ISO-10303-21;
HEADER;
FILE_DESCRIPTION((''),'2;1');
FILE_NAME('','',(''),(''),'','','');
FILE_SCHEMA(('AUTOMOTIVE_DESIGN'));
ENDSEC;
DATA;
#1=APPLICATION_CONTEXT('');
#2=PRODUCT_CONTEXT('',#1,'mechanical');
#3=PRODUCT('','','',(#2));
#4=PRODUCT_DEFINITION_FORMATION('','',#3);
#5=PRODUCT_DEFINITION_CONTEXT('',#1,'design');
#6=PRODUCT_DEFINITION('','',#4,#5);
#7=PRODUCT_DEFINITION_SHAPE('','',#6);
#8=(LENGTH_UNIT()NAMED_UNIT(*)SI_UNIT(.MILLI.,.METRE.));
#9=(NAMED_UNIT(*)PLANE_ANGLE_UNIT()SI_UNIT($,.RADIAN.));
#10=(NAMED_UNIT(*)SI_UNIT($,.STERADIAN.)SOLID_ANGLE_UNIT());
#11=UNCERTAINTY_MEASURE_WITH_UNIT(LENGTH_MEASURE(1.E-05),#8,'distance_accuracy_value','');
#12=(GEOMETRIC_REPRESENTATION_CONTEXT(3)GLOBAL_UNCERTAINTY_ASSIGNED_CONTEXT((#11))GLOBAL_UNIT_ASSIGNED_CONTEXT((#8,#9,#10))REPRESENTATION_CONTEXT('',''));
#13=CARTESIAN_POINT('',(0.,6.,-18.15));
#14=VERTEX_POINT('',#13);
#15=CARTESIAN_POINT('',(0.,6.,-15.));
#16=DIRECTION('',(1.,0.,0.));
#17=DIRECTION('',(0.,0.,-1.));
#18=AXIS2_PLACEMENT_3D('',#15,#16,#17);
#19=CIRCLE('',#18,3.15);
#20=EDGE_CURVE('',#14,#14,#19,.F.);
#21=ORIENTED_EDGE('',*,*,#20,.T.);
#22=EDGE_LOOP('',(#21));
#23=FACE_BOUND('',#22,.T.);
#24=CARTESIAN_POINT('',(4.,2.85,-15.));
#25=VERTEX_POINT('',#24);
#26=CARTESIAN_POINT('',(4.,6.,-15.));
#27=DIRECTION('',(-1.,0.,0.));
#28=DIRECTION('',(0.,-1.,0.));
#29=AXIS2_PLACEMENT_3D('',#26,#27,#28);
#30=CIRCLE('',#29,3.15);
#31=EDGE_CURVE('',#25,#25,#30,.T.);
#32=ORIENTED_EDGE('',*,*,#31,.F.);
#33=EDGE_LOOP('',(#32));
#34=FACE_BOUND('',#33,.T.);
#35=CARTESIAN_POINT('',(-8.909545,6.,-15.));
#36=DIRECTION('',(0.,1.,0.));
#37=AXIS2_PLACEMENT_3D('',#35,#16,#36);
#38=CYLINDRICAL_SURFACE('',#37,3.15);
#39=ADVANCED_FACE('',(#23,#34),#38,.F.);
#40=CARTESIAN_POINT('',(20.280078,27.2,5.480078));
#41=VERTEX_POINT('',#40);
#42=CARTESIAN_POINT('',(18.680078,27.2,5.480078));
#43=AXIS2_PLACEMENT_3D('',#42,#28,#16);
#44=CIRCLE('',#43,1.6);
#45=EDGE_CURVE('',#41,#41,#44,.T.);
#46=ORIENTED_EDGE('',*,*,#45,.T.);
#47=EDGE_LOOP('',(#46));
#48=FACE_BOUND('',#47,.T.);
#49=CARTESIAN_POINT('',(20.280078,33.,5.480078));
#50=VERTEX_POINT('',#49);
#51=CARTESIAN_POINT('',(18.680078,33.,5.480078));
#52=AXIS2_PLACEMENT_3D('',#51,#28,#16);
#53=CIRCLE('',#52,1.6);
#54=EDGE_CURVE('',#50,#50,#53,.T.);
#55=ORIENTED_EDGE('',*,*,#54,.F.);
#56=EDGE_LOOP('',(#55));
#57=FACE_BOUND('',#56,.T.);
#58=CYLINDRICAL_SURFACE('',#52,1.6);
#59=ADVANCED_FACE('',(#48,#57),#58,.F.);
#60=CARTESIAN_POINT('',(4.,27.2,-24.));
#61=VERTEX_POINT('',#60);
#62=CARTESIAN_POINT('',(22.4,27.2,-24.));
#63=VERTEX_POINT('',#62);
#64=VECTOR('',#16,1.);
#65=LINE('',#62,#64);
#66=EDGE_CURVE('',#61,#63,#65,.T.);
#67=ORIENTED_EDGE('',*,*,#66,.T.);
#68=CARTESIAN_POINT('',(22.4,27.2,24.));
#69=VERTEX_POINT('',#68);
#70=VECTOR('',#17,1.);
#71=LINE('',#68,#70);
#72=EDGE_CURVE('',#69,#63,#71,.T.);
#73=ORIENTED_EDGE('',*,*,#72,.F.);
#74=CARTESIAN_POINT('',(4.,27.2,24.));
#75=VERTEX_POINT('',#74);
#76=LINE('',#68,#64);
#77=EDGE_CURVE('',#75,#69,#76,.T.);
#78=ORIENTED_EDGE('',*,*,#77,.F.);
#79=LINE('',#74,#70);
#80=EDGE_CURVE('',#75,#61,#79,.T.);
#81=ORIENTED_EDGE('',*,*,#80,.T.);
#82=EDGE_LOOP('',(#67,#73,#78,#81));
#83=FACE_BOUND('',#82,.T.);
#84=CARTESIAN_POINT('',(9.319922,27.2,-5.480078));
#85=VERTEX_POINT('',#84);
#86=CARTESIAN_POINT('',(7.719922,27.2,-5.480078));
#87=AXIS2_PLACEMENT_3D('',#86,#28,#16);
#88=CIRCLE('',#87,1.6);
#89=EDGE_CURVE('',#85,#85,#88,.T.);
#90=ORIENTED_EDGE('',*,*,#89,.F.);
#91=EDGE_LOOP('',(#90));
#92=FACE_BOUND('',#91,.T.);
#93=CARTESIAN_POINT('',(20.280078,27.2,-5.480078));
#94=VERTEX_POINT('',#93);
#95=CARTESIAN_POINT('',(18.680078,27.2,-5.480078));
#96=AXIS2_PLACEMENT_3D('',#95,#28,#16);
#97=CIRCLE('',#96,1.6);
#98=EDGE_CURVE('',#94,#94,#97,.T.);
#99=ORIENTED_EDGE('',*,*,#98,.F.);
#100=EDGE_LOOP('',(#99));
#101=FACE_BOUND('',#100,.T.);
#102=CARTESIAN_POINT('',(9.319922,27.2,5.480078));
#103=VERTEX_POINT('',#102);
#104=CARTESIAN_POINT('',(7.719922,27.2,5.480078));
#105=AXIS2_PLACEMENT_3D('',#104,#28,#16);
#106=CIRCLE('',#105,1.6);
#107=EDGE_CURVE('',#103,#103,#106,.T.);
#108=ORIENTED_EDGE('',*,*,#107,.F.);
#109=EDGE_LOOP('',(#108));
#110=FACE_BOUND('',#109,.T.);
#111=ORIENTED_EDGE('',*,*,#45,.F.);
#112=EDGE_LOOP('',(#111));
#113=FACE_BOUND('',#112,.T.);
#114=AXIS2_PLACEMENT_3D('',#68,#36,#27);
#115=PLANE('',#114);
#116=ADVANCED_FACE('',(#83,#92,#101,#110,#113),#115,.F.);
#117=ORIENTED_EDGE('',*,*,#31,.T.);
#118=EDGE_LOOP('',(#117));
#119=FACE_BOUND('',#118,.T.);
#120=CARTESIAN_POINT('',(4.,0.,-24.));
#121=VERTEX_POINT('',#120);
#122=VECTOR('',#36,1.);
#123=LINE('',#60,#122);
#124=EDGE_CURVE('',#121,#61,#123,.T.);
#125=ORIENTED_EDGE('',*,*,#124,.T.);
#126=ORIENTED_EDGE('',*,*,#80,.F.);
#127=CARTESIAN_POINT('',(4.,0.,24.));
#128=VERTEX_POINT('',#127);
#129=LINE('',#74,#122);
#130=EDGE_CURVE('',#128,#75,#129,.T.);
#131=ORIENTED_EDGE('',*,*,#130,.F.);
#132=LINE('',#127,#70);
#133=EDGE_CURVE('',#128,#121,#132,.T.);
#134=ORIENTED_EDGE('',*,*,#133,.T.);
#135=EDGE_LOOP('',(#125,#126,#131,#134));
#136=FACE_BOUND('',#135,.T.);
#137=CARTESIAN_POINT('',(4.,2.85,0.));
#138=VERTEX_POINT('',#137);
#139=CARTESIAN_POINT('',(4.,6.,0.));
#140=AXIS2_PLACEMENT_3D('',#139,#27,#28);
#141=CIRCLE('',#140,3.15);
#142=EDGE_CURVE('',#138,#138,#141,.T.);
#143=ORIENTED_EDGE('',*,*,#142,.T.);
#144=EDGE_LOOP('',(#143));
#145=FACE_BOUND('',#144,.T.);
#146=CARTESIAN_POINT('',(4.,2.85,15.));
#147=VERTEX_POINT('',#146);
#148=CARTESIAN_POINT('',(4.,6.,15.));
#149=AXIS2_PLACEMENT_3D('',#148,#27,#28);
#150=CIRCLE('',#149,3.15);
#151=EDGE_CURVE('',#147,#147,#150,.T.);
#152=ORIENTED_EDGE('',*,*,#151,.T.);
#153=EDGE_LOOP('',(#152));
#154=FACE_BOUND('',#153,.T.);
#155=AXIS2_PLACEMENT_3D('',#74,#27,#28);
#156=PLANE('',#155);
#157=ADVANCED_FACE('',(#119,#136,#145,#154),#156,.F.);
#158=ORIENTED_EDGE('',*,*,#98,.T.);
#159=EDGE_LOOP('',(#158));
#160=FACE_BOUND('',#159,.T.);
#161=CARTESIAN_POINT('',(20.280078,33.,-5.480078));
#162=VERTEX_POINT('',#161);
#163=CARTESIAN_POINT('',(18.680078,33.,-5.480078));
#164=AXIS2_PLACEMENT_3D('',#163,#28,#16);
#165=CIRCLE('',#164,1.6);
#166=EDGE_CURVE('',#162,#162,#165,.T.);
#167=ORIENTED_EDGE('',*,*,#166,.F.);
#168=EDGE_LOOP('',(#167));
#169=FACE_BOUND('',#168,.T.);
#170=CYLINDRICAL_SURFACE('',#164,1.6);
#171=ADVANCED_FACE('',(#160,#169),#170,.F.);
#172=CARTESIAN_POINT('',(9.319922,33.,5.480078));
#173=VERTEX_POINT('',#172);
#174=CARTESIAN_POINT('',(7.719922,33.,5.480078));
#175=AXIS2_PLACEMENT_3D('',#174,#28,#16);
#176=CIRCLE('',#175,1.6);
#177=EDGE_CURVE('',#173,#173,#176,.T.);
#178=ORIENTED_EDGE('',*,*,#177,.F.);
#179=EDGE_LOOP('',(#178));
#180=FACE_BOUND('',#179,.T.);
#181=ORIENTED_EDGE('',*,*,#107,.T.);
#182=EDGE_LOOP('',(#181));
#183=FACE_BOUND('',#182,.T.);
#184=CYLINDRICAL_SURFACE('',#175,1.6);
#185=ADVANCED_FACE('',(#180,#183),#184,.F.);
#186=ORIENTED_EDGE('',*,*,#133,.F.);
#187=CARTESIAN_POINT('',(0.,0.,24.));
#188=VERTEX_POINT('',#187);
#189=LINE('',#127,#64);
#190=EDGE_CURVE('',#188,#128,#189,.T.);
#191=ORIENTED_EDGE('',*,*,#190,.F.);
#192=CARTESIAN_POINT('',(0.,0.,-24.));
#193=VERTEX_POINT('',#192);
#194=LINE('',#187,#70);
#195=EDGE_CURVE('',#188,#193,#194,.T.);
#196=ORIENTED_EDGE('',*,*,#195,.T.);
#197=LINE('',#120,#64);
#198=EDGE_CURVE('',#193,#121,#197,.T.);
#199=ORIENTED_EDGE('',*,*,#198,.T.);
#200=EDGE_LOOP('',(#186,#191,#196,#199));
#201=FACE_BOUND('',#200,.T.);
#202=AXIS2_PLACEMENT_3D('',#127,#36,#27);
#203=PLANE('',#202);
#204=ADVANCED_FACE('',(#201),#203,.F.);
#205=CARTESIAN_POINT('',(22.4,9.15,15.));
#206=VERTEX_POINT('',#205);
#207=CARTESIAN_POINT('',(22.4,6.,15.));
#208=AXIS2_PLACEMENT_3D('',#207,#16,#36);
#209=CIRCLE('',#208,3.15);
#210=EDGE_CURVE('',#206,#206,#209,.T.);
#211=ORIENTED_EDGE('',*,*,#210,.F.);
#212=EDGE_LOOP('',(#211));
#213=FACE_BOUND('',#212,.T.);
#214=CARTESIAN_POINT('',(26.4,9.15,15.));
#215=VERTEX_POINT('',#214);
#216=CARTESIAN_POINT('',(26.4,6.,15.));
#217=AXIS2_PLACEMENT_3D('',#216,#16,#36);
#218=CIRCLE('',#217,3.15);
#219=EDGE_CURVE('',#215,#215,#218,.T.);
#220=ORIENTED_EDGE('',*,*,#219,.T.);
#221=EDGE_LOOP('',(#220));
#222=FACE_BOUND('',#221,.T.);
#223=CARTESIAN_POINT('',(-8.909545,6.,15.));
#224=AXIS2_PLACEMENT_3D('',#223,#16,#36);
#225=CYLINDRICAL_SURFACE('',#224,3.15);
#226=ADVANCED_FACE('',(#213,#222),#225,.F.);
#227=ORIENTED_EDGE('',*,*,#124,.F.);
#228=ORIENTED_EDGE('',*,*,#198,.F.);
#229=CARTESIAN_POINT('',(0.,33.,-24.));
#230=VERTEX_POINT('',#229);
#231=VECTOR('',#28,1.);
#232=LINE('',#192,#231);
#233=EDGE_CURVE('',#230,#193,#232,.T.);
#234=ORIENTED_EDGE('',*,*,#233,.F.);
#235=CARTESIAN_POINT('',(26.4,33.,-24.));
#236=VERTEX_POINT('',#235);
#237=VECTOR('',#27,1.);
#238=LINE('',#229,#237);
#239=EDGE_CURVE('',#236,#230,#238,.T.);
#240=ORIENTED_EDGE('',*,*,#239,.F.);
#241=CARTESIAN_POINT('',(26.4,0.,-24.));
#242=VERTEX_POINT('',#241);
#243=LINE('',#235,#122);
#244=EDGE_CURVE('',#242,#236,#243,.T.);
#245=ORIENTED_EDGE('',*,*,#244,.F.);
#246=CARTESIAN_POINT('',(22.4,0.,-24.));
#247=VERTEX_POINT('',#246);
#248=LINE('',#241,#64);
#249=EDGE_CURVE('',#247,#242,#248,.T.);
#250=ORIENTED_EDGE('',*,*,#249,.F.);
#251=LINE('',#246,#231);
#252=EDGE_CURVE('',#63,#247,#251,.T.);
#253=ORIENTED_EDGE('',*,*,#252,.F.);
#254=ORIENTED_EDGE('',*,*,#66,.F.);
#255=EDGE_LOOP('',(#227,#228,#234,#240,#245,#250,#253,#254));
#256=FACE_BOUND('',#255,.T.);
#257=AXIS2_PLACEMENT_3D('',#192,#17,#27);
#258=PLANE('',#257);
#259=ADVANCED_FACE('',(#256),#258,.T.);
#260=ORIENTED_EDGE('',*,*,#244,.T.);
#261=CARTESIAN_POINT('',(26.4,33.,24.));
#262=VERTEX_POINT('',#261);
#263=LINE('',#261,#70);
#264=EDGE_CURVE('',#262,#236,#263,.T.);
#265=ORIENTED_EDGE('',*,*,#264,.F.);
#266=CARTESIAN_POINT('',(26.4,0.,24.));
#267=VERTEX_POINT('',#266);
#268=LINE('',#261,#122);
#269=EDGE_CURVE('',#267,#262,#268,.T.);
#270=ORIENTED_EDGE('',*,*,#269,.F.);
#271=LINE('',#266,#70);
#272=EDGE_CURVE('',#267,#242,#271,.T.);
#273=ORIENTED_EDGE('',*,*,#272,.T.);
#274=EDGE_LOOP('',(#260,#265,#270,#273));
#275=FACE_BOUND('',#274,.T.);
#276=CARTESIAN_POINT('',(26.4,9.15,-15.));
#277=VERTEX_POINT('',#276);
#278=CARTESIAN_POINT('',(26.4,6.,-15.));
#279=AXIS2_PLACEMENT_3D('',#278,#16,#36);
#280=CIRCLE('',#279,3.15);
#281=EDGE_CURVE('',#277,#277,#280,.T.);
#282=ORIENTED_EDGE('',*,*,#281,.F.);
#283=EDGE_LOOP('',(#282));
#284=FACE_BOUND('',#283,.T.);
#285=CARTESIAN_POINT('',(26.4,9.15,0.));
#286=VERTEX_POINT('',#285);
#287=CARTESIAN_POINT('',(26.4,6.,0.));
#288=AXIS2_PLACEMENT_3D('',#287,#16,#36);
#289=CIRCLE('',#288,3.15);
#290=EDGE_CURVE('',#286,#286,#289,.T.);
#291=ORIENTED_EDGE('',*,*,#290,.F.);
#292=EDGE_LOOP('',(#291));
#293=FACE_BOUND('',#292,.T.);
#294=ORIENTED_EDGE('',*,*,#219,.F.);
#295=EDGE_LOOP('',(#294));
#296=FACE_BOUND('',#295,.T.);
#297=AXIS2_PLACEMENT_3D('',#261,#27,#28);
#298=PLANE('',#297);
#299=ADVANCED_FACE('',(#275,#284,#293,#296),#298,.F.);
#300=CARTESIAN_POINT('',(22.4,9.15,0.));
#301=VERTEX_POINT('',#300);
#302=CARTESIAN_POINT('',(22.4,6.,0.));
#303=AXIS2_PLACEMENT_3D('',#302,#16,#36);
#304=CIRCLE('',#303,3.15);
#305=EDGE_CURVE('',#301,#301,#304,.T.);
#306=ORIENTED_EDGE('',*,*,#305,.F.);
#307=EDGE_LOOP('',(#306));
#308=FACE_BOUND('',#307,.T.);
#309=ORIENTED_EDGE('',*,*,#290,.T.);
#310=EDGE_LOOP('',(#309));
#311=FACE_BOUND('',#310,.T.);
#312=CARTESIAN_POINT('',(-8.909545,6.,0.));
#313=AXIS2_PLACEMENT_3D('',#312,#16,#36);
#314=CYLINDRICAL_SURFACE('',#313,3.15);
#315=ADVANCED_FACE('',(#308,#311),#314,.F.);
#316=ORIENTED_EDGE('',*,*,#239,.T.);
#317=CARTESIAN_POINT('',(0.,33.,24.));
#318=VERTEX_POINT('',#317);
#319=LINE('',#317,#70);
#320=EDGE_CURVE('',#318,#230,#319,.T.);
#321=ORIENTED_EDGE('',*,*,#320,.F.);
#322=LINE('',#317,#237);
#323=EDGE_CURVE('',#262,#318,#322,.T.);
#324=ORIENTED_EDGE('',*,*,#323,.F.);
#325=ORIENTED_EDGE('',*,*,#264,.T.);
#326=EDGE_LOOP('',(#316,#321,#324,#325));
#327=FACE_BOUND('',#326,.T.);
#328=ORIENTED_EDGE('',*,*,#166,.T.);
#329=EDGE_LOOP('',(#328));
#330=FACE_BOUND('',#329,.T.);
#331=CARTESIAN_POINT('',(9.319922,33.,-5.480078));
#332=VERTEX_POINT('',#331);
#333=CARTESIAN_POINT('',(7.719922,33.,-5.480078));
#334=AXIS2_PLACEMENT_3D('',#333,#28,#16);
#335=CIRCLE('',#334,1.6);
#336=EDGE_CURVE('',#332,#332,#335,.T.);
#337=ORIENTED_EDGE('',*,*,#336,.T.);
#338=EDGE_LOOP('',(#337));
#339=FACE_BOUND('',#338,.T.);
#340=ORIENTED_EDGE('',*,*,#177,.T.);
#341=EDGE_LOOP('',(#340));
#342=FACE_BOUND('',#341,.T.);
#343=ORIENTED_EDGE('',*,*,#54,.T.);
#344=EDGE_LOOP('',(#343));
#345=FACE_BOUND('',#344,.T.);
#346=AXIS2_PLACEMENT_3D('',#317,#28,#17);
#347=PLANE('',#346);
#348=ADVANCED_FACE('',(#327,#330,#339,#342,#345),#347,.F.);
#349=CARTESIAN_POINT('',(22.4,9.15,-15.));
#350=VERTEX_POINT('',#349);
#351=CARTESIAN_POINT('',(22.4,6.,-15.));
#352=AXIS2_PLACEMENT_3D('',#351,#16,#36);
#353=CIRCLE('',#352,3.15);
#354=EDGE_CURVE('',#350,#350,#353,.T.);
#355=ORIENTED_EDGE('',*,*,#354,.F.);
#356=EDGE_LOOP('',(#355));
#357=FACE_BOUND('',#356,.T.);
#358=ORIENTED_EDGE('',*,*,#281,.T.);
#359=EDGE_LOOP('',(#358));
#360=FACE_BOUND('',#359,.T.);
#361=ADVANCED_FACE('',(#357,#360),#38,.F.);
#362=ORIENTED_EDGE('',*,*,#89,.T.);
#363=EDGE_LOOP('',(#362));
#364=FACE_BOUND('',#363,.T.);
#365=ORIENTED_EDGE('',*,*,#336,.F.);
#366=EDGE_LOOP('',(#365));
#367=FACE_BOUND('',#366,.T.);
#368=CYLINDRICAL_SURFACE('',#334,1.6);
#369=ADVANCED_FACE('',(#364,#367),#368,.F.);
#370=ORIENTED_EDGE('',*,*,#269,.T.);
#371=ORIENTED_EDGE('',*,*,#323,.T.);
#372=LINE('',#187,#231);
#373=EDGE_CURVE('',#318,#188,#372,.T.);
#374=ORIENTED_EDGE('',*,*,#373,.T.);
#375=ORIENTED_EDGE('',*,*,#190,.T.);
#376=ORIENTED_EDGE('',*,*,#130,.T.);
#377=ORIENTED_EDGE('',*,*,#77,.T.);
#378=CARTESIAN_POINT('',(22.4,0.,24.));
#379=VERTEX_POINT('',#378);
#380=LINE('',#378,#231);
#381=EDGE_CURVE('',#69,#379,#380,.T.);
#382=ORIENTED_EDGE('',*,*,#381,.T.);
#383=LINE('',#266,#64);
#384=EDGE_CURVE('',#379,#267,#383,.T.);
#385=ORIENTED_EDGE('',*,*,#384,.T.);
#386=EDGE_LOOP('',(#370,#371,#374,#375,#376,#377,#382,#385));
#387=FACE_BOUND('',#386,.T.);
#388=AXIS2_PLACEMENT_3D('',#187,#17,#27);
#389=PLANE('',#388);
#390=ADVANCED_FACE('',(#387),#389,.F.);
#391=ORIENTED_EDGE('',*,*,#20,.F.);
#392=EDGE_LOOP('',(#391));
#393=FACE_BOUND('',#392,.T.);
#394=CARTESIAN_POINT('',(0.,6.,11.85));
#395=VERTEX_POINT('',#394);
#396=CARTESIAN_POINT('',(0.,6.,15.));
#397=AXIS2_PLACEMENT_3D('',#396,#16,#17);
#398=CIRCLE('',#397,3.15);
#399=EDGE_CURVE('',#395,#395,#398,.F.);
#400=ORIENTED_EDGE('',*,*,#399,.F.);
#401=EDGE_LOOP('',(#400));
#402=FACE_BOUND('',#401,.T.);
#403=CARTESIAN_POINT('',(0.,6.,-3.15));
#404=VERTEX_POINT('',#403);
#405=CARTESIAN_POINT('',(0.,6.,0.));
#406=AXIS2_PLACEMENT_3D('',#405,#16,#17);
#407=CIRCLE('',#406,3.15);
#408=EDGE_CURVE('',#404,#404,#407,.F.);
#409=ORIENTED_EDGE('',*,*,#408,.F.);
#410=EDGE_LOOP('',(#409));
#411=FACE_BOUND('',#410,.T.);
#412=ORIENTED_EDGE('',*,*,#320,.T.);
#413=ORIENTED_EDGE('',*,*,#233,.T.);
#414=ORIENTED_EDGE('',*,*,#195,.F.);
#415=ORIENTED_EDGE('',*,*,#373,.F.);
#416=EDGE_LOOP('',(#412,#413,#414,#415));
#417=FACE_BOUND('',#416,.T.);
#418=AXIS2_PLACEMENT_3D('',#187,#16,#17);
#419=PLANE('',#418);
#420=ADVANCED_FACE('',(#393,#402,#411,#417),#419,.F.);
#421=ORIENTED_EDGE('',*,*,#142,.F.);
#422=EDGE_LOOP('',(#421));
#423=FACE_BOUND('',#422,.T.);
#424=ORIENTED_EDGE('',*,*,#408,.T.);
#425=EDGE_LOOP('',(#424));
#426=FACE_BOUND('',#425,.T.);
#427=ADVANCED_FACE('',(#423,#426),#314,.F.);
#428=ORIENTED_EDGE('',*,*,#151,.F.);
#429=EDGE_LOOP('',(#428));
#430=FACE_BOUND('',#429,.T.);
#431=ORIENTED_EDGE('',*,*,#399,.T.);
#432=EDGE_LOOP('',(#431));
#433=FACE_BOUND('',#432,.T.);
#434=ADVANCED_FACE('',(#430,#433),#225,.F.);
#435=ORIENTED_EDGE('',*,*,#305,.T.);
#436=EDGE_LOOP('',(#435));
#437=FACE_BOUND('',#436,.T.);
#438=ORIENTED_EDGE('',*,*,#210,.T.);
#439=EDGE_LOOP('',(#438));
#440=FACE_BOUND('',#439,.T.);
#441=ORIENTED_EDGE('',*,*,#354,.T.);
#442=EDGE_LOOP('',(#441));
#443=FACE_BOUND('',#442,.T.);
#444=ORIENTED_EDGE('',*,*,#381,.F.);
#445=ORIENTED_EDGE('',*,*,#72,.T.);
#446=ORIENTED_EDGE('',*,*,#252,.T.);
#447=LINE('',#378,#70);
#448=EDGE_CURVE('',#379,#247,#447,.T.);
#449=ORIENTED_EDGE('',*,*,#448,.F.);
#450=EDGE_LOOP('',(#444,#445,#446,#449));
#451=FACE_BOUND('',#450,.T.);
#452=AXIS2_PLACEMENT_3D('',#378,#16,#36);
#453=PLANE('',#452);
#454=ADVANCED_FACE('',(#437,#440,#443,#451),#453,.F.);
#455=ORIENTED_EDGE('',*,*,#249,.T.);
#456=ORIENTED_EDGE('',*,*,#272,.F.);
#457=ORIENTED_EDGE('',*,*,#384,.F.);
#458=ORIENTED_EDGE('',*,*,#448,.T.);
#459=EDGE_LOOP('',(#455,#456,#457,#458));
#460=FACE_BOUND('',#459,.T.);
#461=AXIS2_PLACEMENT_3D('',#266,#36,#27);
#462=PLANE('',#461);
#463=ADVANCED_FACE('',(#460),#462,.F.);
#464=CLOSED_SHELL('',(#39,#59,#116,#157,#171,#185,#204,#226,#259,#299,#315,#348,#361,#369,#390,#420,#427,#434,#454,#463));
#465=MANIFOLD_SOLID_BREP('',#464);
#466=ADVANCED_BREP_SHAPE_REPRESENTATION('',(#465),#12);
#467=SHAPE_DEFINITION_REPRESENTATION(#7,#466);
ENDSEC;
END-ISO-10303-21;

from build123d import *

# Parameters (mm, degrees)
EXTRUDE_1_DEPTH     = 24
SKETCH_2_R          = 1.6
CUT_EXTRUDE_1_DEPTH = 6.8
SKETCH_3_R          = 3.15
CUT_EXTRUDE_2_DEPTH = 26.4


with BuildPart() as part:
    # 草圖1 → 填料-伸長1 (new body, symmetric)
    with BuildSketch(Plane.XY):
        Polygon((0, 0), (0, 33), (26.4, 33), (26.4, 0), (22.4, 0), (22.4, 27.2), (4, 27.2), (4, 0), align=None)
    extrude(amount=EXTRUDE_1_DEPTH, both=True)

    # 草圖2 → 除料-伸長1 (cut, through all)
    with BuildSketch(Plane.XZ.offset(-27.2)):
        with Locations((7.719922446, 5.480077554)):
            Circle(SKETCH_2_R)
        with Locations((18.680077554, 5.480077554)):
            Circle(SKETCH_2_R)
        with Locations((18.680077554, -5.480077554)):
            Circle(SKETCH_2_R)
        with Locations((7.719922446, -5.480077554)):
            Circle(SKETCH_2_R)
    extrude(amount=-CUT_EXTRUDE_1_DEPTH, mode=Mode.SUBTRACT)

    # 草圖3 → 除料-伸長2 (cut)
    with BuildSketch(Plane(origin=(26.4, 0, 0), x_dir=(0, 0, -1), z_dir=(1, 0, 0))):
        with Locations((0, 6)):
            Circle(SKETCH_3_R)
        with Locations((15, 6)):
            Circle(SKETCH_3_R)
        with Locations((-15, 6)):
            Circle(SKETCH_3_R)
    extrude(amount=-CUT_EXTRUDE_2_DEPTH, mode=Mode.SUBTRACT)


solid = part.part
